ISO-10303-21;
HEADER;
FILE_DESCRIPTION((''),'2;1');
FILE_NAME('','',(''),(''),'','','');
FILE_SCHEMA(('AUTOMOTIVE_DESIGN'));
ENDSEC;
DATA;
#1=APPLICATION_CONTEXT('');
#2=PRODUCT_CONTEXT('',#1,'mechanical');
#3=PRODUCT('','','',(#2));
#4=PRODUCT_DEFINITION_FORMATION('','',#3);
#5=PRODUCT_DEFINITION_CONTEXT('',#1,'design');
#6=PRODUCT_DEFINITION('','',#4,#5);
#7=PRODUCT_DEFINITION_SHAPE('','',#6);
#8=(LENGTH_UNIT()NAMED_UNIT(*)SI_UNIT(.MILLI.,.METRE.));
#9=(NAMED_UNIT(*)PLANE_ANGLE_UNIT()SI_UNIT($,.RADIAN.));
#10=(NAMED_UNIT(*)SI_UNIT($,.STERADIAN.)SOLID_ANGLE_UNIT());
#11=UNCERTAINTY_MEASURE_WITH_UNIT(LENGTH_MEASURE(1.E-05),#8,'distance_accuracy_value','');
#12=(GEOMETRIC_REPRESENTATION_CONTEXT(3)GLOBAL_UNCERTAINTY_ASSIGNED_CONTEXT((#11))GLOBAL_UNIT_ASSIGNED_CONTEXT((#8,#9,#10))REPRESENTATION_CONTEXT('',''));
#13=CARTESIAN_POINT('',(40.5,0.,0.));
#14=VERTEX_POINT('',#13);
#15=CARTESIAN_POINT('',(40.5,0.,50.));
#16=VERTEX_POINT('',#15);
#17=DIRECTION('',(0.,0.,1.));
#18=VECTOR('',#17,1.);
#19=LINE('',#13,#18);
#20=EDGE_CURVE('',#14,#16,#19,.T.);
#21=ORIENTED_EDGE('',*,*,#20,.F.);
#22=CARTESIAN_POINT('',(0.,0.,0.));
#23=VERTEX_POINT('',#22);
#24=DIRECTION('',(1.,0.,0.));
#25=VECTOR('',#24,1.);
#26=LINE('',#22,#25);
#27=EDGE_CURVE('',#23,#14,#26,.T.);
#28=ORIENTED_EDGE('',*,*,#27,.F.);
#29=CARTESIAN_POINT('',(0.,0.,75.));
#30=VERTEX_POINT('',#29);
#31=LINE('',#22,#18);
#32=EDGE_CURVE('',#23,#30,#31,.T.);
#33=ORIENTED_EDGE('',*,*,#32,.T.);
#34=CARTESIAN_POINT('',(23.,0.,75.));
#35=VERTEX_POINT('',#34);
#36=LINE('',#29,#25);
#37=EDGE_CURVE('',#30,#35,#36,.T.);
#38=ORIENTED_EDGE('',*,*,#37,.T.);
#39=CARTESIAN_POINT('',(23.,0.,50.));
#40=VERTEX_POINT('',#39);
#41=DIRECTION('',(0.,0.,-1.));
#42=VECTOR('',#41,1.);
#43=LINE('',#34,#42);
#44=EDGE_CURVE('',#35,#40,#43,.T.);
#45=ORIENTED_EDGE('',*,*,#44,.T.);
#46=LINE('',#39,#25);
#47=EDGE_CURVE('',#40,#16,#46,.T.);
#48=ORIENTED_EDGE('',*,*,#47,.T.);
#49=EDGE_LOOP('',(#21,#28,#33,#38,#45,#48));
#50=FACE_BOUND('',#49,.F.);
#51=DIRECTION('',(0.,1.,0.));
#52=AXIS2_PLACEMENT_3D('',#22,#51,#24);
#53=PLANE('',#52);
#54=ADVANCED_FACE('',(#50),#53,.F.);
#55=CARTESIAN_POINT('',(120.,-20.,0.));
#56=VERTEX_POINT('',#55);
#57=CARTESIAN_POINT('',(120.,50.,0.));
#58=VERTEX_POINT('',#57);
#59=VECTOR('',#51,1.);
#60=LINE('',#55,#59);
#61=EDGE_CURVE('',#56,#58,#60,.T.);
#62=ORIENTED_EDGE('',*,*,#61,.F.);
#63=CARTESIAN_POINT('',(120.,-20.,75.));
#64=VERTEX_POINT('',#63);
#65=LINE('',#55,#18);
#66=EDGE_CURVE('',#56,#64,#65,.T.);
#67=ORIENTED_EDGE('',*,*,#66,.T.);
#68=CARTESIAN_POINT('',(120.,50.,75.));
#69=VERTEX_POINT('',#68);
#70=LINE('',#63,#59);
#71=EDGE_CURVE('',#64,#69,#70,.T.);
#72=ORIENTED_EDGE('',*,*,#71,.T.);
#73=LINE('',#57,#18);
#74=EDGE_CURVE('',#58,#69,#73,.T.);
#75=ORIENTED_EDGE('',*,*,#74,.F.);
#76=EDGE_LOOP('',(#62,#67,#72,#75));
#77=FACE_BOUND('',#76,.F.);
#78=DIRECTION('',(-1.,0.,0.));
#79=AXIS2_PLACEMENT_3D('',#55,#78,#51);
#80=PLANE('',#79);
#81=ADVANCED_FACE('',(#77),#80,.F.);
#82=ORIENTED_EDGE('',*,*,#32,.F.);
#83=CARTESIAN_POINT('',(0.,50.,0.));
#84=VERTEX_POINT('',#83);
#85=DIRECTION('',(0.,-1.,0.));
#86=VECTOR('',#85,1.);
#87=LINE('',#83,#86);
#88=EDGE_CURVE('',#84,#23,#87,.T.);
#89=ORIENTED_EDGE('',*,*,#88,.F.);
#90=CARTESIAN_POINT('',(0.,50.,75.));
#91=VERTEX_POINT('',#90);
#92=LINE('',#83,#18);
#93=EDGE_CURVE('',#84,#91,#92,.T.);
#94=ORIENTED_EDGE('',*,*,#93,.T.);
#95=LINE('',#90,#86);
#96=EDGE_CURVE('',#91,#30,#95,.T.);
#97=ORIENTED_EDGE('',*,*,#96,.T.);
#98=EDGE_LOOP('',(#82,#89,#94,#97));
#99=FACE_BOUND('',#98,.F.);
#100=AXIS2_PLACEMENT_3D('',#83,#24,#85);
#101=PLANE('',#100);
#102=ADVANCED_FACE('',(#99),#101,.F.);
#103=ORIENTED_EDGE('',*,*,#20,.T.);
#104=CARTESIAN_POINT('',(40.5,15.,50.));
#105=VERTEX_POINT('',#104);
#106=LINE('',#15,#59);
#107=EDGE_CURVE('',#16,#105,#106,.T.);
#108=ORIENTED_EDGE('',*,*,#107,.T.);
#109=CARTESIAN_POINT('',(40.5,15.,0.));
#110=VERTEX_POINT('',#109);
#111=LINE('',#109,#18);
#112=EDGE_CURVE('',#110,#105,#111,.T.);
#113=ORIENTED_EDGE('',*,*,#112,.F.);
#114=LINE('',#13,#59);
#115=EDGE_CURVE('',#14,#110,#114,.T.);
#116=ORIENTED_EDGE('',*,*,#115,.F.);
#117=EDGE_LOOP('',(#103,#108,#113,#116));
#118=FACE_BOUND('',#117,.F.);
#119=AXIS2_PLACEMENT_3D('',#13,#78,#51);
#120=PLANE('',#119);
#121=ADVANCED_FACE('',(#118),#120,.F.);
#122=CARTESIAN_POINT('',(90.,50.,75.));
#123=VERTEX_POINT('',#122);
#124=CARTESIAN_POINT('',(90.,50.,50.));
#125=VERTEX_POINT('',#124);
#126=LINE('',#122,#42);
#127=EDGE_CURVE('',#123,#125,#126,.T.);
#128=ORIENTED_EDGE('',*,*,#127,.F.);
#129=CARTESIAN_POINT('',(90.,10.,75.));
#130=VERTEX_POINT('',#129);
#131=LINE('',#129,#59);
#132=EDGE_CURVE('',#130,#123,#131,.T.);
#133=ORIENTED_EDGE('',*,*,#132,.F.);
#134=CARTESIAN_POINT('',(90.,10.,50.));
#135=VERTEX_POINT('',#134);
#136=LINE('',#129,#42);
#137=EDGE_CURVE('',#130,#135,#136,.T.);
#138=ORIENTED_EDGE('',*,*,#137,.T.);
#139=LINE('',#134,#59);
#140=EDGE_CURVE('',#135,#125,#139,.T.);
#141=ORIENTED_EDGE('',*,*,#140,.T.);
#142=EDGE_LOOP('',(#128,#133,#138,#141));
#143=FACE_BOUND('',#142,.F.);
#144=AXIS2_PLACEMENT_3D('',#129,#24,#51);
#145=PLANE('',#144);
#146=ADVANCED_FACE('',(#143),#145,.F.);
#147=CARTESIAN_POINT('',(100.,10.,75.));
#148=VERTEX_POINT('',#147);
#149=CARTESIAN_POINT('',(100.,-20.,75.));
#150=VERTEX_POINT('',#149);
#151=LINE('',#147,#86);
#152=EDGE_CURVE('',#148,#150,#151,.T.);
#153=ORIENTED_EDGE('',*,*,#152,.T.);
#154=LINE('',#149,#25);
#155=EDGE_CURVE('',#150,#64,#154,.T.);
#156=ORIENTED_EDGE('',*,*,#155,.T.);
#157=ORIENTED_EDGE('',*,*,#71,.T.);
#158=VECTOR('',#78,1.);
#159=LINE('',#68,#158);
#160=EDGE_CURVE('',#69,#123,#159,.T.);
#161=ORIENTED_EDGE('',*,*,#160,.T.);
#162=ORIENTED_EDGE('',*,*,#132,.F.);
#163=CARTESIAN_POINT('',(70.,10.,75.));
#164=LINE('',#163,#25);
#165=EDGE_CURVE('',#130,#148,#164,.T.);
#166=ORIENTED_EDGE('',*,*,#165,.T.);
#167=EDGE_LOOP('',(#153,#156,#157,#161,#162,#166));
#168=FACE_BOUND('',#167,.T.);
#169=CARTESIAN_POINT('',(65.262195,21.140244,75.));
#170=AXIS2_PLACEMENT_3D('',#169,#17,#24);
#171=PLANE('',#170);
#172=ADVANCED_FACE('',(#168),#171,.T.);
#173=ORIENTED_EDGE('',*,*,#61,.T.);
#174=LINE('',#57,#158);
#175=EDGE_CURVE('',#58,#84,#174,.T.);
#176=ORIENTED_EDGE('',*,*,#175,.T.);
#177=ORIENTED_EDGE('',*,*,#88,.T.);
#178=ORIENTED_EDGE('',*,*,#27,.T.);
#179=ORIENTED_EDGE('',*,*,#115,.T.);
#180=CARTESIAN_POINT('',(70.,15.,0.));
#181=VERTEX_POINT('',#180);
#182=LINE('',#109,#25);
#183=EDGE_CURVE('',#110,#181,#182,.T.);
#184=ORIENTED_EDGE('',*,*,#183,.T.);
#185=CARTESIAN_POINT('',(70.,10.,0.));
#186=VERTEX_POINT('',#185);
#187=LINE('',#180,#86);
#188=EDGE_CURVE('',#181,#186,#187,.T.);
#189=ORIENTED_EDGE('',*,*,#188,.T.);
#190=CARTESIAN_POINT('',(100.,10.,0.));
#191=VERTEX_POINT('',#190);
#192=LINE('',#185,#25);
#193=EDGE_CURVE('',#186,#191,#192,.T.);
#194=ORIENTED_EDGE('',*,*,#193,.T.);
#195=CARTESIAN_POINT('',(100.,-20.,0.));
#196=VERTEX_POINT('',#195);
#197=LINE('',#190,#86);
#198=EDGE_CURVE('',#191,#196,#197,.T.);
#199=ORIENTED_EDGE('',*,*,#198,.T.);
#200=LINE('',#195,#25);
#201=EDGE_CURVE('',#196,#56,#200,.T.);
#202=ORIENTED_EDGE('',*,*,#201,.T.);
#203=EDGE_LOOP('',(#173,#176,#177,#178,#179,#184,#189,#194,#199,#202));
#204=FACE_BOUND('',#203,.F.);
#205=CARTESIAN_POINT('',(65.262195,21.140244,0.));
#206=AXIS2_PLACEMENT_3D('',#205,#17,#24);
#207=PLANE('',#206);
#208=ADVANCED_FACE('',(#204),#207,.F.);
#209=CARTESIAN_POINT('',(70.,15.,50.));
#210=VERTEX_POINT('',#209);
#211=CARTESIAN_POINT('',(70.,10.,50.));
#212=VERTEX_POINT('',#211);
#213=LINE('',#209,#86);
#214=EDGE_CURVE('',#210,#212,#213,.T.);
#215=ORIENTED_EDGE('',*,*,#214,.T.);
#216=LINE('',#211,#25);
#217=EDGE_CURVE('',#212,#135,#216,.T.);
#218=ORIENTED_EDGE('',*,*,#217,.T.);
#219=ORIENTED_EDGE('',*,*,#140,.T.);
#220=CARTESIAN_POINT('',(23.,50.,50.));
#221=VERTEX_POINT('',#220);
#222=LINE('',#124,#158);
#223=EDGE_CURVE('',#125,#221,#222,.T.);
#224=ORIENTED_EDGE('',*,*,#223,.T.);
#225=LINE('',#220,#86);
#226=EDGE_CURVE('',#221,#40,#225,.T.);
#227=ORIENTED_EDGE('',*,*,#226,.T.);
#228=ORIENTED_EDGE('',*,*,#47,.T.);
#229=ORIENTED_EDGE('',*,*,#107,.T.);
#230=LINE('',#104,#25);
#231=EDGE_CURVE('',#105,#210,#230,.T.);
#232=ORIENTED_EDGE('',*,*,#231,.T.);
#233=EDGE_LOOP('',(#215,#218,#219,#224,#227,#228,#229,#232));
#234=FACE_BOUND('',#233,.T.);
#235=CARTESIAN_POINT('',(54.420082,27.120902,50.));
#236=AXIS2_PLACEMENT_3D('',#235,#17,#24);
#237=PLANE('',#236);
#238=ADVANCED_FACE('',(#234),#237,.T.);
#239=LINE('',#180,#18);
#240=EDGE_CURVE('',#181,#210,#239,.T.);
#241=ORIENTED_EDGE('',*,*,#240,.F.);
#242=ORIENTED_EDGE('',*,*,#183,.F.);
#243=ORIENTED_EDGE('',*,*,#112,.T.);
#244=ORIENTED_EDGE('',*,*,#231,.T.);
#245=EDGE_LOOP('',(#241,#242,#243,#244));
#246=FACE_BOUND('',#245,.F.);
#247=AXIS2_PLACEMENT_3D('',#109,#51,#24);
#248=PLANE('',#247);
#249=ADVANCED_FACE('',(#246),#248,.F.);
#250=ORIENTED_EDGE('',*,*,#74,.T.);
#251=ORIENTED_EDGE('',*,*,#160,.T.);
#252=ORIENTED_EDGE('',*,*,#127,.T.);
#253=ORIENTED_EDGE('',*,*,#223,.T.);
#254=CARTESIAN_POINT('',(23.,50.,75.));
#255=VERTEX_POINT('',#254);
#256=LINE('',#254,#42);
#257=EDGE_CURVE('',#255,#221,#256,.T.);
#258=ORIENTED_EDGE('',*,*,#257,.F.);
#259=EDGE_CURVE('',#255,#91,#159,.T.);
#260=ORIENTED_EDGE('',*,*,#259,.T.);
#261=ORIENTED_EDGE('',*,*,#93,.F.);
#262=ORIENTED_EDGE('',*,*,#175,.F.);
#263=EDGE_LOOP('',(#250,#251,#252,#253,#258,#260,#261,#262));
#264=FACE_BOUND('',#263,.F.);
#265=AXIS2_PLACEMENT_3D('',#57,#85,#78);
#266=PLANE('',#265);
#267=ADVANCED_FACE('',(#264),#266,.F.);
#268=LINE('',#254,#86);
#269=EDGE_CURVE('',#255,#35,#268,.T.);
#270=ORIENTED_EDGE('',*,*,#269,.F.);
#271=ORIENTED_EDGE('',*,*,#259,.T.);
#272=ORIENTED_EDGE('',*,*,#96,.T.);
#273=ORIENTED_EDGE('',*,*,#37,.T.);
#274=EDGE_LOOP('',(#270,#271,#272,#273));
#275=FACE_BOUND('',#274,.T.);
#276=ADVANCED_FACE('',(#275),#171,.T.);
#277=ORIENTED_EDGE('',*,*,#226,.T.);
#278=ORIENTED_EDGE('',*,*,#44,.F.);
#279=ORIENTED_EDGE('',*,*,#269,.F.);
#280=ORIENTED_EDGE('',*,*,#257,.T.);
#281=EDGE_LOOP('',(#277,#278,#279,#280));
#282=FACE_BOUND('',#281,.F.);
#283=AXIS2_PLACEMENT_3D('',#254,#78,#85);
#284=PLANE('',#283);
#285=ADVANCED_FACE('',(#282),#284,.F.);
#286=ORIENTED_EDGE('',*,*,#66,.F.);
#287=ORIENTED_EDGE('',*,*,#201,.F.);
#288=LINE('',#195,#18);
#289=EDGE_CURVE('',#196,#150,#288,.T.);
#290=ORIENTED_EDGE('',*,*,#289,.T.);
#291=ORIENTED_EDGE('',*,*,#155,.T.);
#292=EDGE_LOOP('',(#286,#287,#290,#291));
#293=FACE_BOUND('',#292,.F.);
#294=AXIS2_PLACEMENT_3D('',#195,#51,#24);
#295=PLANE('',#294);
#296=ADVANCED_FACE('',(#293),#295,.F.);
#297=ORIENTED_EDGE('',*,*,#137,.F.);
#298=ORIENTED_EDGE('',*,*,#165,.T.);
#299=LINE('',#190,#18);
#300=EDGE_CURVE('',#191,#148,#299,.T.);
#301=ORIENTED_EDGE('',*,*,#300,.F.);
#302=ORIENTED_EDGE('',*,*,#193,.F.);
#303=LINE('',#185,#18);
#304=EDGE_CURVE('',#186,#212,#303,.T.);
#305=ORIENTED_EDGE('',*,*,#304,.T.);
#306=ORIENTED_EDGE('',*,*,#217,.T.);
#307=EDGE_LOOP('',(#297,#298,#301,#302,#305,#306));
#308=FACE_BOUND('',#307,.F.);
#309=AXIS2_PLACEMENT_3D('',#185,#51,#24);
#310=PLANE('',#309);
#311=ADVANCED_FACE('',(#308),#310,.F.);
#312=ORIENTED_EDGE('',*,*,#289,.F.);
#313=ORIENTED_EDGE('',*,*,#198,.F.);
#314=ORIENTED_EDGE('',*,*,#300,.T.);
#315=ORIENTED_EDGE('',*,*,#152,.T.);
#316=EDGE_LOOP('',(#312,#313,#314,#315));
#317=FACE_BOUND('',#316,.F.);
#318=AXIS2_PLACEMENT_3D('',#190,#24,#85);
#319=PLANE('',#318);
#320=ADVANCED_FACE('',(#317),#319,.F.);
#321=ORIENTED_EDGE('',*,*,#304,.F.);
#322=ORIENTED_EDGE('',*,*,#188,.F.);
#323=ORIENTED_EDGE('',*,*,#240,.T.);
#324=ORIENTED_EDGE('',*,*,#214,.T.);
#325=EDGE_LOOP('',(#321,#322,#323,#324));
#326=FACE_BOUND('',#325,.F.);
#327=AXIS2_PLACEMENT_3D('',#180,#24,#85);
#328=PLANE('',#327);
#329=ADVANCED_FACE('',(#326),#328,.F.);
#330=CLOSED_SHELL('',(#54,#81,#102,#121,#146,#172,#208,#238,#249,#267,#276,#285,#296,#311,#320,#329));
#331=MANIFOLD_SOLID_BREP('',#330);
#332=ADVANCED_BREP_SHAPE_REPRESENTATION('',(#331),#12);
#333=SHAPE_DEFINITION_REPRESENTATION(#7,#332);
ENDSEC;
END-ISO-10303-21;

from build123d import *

# Parameters (mm, degrees)
F1_DEPTH = 75
F3_DEPTH = 25


with BuildPart() as f1:
    # F0 (on Top) → F1 (new body)
    with BuildSketch(Plane.XY):
        Polygon((0, 50), (0, 0), (40.5, 0), (40.5, 15), (70, 15), (70, 10), (100, 10), (100, -20), (120, -20), (120, 50), align=None)
    extrude(amount=F1_DEPTH)

    # F2 (on face) → F3 (cut)
    with BuildSketch(Plane.XY.offset(75)):
        Polygon((23, 50), (23, 0), (40.5, 0), (40.5, 15), (70, 15), (70, 10), (90, 10), (90, 50), align=None)
    extrude(amount=-F3_DEPTH, mode=Mode.SUBTRACT)


solid = f1.part
